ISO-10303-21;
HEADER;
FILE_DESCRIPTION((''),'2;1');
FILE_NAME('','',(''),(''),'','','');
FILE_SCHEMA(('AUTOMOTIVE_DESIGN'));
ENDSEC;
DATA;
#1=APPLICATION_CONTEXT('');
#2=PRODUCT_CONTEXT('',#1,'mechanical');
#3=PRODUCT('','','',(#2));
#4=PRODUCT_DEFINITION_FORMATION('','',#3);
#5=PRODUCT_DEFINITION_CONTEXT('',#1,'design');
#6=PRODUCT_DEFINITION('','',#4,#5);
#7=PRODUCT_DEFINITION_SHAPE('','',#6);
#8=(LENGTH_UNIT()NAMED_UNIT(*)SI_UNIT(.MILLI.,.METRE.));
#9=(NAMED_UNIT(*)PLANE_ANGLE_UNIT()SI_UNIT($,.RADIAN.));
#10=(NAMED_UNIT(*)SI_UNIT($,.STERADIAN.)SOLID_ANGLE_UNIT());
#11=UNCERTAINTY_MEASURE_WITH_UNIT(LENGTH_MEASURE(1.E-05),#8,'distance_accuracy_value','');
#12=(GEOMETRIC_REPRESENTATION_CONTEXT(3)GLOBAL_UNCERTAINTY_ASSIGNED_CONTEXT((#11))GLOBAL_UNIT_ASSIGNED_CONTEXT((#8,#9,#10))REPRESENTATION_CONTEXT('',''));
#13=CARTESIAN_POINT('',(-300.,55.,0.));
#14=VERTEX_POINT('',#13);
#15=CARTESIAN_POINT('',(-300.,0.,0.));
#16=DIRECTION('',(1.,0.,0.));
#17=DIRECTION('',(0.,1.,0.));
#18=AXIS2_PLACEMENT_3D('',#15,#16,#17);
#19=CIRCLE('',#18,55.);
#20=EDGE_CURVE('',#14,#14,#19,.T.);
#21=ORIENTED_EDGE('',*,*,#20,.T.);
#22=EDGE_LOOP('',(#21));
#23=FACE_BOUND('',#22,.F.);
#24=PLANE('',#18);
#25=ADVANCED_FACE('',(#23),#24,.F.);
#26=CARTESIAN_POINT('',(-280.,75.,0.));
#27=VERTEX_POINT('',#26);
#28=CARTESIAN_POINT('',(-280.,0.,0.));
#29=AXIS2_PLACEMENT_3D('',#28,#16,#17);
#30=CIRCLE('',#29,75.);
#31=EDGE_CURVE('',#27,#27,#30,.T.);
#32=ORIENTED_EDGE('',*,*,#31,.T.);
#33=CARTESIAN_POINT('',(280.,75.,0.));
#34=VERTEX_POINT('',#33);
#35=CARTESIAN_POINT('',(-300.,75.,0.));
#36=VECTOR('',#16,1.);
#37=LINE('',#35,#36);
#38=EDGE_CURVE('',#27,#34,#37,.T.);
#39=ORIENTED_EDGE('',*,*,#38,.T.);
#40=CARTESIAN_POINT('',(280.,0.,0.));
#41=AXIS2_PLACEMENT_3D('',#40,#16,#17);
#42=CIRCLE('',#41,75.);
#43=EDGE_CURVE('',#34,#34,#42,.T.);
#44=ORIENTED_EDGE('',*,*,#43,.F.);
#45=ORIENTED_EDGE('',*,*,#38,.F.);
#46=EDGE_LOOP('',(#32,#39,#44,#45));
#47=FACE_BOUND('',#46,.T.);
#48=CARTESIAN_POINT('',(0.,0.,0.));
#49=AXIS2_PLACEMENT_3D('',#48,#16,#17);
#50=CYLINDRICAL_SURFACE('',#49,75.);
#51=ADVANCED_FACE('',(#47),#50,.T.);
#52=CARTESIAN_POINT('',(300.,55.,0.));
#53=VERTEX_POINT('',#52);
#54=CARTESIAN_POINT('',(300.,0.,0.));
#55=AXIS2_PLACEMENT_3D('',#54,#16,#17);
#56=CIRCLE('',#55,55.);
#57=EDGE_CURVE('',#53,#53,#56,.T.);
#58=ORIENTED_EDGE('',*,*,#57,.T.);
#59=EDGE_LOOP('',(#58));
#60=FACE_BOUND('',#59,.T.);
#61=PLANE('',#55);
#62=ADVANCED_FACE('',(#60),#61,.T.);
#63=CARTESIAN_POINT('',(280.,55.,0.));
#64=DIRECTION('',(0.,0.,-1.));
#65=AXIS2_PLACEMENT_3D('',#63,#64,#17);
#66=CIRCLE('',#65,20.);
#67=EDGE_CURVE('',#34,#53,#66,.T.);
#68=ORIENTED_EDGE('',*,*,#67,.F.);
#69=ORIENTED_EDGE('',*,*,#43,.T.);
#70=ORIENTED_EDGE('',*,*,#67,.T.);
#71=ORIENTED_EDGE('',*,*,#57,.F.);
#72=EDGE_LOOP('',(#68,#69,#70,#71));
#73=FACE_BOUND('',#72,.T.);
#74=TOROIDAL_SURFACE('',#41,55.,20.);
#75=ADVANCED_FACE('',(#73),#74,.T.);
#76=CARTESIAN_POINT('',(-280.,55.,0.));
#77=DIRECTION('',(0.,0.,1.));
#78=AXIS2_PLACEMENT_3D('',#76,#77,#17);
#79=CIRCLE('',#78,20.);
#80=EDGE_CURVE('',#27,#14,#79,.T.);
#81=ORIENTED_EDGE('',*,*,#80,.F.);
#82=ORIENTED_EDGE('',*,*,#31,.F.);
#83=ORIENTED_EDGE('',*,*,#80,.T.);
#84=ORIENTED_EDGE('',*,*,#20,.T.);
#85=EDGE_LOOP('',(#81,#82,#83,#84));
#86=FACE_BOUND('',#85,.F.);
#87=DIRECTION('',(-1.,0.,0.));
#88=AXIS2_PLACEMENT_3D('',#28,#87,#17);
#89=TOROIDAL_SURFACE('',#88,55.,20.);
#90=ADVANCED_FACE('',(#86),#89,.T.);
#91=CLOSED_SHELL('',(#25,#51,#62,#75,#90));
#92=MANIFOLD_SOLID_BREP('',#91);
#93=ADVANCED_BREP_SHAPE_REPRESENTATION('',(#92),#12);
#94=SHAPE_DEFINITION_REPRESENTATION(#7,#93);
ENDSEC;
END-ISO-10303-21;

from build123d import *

# Parameters (mm, degrees)
F0_R     = 75
F1_DEPTH = 300
F2_R     = 20


with BuildPart() as f1:
    # F0 (on Right) → F1 (new body, symmetric)
    with BuildSketch(Plane.YZ):
        Circle(F0_R)
    extrude(amount=F1_DEPTH, both=True)

    # F2
    f2_edges = [f1.edges().sort_by_distance(p)[0] for p in [
        (-300, -75, 0),
        (0, 75, 0),
        (300, -75, 0),
    ]]
    fillet(f2_edges, radius=F2_R)


solid = f1.part
